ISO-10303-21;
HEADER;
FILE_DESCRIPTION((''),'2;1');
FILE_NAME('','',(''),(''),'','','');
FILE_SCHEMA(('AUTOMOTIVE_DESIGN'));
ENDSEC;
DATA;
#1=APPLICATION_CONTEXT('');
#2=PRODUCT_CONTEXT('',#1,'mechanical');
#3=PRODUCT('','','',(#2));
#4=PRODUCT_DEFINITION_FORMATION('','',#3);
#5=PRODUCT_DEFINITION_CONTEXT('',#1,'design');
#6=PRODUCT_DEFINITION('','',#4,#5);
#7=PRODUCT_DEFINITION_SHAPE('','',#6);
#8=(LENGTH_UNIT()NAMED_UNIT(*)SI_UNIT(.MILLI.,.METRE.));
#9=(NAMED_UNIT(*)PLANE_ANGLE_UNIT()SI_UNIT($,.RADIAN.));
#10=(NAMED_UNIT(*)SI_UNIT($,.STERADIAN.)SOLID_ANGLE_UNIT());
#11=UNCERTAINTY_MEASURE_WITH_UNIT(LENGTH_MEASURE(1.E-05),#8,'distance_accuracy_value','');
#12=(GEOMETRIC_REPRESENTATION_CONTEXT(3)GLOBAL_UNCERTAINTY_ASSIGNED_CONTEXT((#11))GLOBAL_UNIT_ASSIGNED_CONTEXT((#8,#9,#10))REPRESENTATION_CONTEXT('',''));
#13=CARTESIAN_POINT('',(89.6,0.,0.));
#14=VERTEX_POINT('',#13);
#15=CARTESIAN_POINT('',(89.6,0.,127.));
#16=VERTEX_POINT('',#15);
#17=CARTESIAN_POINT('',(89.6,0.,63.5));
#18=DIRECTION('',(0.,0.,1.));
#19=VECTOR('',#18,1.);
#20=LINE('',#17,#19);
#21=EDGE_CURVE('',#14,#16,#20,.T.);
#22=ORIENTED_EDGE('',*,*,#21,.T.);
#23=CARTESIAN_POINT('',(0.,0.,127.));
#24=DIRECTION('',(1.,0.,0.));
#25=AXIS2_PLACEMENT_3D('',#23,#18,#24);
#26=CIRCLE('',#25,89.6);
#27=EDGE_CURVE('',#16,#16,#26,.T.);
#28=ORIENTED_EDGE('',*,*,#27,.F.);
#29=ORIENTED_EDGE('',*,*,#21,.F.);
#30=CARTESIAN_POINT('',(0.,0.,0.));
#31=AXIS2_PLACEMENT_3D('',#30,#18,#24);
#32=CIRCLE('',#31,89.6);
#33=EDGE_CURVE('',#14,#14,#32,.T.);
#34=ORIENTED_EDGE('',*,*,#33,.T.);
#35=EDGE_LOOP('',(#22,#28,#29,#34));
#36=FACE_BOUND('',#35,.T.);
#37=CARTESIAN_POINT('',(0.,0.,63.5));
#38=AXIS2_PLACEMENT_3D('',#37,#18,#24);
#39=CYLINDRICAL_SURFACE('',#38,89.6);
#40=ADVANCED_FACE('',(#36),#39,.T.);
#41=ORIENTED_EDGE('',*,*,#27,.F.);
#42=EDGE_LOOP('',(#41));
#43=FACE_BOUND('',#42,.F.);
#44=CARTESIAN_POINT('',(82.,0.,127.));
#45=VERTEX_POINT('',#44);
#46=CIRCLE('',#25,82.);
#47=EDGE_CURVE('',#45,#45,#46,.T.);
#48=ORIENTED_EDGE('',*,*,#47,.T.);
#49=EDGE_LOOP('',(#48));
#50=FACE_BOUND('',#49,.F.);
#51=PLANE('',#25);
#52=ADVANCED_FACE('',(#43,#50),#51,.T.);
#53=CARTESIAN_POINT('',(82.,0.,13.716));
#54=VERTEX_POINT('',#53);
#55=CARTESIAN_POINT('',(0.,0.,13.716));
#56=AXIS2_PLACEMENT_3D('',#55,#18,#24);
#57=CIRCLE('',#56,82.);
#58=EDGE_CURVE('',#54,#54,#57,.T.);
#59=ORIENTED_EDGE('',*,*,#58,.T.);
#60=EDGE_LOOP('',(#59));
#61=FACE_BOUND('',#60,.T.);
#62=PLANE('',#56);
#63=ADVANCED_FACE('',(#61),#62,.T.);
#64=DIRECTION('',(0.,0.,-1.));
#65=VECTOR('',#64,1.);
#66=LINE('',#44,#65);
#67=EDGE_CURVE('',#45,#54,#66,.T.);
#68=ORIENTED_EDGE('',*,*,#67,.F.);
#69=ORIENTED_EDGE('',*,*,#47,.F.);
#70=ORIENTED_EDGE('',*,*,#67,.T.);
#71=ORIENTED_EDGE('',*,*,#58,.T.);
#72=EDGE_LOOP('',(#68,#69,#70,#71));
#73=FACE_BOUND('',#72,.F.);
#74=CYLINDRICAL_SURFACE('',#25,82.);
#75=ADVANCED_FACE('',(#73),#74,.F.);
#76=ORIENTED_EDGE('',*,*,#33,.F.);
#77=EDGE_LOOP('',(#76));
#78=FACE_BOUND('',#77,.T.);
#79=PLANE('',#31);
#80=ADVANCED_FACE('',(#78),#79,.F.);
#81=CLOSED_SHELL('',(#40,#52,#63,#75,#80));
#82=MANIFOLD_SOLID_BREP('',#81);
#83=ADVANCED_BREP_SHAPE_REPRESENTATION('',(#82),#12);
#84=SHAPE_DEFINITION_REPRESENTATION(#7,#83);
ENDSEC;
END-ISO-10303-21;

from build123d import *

# Parameters (mm, degrees)
F0_W     = 89.6
F0_H     = 127
F2_R     = 82
F3_DEPTH = 113.284


with BuildPart() as f1:
    # F0 (on Front) → F1 (revolve)
    with BuildSketch(Plane.XZ):
        with Locations((44.8, 63.5)):
            Rectangle(F0_W, F0_H)
    revolve(axis=Axis((0, 0, 118.669905), (0, 0, 1)))

    # F2 (on face) → F3 (cut)
    with BuildSketch(Plane.XY.offset(127)):
        Circle(F2_R)
    extrude(amount=-F3_DEPTH, mode=Mode.SUBTRACT)


solid = f1.part
